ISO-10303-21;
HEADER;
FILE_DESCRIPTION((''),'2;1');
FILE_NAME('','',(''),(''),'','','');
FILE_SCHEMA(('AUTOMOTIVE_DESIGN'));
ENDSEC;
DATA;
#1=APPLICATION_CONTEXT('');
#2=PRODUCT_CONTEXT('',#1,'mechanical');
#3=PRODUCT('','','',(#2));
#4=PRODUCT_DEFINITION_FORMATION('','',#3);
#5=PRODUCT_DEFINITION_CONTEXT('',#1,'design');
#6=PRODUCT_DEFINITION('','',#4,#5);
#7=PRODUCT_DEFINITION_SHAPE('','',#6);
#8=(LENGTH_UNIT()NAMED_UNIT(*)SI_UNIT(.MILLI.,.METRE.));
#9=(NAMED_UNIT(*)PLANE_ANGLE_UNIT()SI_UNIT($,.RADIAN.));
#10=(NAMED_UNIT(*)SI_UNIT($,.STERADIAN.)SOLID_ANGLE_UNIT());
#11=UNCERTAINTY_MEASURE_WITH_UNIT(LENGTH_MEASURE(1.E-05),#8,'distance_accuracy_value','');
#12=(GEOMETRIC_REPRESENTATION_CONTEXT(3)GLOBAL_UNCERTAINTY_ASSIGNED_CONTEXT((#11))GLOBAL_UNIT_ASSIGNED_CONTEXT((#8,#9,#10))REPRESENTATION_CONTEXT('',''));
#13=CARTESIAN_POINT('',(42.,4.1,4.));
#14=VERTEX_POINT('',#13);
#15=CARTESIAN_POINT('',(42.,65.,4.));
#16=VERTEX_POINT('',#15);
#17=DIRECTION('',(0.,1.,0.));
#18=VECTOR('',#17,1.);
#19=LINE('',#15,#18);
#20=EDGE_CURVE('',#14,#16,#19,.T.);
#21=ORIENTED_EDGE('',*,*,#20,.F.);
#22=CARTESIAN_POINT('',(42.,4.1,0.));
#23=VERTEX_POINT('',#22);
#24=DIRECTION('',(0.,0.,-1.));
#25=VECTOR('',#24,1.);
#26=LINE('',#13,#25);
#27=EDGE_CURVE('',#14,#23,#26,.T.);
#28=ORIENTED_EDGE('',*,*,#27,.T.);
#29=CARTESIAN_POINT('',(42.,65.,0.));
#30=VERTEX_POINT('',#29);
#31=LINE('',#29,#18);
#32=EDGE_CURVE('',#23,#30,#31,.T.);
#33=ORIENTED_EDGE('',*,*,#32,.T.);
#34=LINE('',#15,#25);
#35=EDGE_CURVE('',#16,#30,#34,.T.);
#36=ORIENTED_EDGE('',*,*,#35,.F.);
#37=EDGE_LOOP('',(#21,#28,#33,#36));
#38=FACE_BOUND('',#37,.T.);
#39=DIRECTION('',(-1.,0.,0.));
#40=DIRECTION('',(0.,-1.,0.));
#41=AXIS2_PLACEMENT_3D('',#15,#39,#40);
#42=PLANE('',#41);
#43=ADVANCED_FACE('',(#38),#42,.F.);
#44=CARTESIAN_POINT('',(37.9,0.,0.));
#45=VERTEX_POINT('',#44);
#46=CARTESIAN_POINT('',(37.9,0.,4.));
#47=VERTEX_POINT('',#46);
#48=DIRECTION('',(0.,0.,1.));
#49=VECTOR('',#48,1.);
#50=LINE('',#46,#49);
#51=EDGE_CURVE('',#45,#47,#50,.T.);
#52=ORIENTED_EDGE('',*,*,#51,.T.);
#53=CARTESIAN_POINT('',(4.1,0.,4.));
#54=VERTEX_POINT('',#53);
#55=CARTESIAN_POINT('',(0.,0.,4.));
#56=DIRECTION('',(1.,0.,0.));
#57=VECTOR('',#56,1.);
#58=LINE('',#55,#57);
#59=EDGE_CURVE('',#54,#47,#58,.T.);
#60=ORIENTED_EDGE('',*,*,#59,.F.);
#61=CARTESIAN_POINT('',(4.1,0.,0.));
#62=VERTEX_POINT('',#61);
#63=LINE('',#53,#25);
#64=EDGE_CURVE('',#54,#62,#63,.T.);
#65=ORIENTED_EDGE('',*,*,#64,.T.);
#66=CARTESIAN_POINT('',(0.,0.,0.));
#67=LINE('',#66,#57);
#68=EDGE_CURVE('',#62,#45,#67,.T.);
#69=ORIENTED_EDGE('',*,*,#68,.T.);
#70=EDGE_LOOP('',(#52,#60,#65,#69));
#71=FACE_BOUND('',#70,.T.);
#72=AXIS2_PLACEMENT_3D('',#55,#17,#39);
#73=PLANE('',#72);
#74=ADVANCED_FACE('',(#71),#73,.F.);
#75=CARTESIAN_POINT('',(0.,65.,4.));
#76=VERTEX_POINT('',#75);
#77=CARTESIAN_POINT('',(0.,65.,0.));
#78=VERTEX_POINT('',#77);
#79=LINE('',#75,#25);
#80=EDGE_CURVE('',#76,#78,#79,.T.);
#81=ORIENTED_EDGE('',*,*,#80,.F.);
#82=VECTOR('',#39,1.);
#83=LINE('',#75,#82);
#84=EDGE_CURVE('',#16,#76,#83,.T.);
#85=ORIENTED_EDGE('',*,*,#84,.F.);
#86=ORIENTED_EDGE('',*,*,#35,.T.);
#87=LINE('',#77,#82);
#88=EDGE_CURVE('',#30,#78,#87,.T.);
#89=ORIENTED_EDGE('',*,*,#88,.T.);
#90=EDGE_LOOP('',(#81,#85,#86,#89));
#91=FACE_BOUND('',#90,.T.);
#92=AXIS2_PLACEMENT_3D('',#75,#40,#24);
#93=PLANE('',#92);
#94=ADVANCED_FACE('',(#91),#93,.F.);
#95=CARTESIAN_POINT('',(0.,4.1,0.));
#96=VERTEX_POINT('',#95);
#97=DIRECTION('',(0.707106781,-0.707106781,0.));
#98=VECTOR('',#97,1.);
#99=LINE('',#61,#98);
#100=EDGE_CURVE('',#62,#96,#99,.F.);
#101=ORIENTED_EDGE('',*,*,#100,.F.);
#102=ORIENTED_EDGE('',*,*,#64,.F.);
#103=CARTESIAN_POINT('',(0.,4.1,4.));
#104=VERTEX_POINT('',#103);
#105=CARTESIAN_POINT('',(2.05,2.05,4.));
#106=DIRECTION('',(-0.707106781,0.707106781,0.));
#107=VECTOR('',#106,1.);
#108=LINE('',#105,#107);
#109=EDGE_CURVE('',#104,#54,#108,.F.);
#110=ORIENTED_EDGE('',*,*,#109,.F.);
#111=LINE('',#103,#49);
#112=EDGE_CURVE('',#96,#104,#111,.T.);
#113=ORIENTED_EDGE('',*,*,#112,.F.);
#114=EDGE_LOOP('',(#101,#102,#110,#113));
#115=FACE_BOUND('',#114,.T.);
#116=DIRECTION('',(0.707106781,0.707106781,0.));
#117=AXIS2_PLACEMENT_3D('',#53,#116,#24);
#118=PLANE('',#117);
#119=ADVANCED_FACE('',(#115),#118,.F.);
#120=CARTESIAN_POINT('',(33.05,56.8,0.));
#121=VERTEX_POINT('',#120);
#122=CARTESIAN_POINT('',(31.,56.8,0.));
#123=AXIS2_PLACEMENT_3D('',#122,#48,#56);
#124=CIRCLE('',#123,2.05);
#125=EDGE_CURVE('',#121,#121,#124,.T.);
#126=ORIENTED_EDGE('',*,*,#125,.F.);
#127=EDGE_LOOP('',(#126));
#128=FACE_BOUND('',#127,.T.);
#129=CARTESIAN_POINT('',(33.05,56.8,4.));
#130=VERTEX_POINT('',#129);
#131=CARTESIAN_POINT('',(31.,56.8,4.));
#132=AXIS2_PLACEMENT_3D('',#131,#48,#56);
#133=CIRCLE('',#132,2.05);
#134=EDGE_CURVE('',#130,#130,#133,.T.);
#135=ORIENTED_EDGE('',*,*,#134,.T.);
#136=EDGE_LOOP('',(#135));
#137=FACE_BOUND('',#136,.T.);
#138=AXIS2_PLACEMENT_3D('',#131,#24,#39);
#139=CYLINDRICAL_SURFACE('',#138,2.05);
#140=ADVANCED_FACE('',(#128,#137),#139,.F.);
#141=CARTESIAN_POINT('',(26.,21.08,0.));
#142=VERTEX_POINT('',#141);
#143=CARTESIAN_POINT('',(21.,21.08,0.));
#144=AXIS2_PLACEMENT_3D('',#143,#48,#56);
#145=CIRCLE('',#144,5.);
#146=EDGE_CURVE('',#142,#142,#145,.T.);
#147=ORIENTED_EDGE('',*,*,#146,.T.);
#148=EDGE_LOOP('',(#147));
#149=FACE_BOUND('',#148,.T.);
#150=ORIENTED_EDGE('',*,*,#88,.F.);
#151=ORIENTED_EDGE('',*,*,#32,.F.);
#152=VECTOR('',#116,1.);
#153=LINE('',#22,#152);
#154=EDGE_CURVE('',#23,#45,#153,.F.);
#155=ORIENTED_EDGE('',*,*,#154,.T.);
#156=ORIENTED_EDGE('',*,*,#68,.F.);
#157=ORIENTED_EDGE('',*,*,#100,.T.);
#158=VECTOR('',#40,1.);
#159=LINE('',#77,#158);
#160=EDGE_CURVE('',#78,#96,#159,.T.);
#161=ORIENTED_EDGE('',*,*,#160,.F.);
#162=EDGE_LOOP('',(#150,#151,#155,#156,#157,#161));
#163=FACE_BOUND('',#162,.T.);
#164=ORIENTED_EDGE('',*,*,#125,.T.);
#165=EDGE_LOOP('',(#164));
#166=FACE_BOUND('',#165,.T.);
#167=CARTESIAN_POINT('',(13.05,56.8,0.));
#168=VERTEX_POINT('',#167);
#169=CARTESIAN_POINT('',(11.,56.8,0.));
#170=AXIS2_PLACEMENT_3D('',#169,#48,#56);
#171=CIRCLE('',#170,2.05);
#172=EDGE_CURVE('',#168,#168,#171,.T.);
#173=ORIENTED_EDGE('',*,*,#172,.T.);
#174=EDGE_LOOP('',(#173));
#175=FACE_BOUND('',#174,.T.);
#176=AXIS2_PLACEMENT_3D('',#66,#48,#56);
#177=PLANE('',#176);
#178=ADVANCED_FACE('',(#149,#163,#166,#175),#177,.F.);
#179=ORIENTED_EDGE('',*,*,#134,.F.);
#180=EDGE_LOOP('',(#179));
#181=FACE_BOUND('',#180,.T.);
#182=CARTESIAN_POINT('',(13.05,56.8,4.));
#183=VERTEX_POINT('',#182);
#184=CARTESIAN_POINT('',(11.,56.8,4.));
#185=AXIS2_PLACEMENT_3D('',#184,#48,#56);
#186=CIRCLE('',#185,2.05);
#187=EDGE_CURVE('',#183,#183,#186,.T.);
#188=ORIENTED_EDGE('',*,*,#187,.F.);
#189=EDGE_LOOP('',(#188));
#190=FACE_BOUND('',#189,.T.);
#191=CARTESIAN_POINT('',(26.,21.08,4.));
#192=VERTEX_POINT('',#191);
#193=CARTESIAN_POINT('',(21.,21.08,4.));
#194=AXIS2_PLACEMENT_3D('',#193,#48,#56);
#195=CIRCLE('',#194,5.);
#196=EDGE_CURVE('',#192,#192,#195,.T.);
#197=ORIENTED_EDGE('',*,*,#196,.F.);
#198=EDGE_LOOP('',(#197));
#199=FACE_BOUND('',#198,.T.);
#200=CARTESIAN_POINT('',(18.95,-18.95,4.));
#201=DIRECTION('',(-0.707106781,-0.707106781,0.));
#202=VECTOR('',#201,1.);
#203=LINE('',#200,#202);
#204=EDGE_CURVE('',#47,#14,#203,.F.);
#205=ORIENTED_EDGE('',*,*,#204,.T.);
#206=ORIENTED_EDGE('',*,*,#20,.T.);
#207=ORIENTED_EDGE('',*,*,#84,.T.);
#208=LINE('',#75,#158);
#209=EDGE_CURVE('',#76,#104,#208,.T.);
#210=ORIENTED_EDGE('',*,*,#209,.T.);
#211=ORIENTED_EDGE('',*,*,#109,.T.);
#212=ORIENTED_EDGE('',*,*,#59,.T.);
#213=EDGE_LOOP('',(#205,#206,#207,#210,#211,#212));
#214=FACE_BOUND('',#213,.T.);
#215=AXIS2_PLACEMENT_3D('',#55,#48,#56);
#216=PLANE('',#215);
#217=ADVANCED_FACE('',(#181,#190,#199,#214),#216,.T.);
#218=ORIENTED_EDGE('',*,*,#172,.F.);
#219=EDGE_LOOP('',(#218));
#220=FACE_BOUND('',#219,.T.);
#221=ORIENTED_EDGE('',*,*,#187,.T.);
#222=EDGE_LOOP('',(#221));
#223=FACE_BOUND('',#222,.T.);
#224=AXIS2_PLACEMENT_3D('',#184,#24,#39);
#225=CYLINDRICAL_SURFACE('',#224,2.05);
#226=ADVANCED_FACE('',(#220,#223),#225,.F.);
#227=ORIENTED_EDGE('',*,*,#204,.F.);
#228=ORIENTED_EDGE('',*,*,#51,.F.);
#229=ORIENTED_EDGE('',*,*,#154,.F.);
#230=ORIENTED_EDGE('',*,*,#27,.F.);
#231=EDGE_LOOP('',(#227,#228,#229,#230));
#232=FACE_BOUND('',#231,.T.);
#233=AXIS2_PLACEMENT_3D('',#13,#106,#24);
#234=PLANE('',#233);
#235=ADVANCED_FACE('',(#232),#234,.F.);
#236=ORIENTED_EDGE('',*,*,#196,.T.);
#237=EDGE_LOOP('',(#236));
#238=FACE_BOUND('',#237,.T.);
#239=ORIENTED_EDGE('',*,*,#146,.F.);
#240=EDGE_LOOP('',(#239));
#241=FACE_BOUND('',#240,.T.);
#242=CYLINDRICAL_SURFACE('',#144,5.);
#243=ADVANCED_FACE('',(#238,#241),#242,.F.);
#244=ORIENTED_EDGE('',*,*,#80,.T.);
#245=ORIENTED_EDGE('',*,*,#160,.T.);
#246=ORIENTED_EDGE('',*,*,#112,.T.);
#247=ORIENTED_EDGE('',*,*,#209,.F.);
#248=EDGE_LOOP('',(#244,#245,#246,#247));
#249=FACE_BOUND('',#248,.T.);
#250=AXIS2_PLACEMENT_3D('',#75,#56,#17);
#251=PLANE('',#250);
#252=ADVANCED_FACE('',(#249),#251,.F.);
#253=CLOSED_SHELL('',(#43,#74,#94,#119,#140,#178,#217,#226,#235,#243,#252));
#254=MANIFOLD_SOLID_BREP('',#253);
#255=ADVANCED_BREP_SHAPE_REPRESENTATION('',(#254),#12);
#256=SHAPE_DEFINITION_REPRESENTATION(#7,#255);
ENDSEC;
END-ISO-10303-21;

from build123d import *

# Parameters (mm, degrees)
CROQUIS1_W              = 42
CROQUIS1_H              = 65
CROQUIS1_R              = 2.05
SALIENTE_EXTRUIR1_DEPTH = 4
CHAFL_N1_SIZE           = 4.1
CROQUIS5_R              = 5
CORTAR_EXTRUIR2_DEPTH   = 5


with BuildPart() as part:
    # Croquis1 → Saliente-Extruir1 (new body)
    with BuildSketch(Plane.XY):
        with Locations((21, 32.5)):
            Rectangle(CROQUIS1_W, CROQUIS1_H)
        with Locations((11, 56.8)):
            Circle(CROQUIS1_R, mode=Mode.SUBTRACT)
        with Locations((31, 56.8)):
            Circle(CROQUIS1_R, mode=Mode.SUBTRACT)
    extrude(amount=SALIENTE_EXTRUIR1_DEPTH)

    # Chaflán1
    chafl_n1_edges = [part.edges().sort_by_distance(p)[0] for p in [
        (42, 0, 2),
        (0, 0, 2),
    ]]
    chamfer(chafl_n1_edges, length=CHAFL_N1_SIZE)

    # Croquis5 → Cortar-Extruir2 (cut, through all)
    with BuildSketch(Plane.XY.offset(4)):
        with Locations((21, 21.08)):
            Circle(CROQUIS5_R)
    extrude(amount=-CORTAR_EXTRUIR2_DEPTH, mode=Mode.SUBTRACT)


solid = part.part
